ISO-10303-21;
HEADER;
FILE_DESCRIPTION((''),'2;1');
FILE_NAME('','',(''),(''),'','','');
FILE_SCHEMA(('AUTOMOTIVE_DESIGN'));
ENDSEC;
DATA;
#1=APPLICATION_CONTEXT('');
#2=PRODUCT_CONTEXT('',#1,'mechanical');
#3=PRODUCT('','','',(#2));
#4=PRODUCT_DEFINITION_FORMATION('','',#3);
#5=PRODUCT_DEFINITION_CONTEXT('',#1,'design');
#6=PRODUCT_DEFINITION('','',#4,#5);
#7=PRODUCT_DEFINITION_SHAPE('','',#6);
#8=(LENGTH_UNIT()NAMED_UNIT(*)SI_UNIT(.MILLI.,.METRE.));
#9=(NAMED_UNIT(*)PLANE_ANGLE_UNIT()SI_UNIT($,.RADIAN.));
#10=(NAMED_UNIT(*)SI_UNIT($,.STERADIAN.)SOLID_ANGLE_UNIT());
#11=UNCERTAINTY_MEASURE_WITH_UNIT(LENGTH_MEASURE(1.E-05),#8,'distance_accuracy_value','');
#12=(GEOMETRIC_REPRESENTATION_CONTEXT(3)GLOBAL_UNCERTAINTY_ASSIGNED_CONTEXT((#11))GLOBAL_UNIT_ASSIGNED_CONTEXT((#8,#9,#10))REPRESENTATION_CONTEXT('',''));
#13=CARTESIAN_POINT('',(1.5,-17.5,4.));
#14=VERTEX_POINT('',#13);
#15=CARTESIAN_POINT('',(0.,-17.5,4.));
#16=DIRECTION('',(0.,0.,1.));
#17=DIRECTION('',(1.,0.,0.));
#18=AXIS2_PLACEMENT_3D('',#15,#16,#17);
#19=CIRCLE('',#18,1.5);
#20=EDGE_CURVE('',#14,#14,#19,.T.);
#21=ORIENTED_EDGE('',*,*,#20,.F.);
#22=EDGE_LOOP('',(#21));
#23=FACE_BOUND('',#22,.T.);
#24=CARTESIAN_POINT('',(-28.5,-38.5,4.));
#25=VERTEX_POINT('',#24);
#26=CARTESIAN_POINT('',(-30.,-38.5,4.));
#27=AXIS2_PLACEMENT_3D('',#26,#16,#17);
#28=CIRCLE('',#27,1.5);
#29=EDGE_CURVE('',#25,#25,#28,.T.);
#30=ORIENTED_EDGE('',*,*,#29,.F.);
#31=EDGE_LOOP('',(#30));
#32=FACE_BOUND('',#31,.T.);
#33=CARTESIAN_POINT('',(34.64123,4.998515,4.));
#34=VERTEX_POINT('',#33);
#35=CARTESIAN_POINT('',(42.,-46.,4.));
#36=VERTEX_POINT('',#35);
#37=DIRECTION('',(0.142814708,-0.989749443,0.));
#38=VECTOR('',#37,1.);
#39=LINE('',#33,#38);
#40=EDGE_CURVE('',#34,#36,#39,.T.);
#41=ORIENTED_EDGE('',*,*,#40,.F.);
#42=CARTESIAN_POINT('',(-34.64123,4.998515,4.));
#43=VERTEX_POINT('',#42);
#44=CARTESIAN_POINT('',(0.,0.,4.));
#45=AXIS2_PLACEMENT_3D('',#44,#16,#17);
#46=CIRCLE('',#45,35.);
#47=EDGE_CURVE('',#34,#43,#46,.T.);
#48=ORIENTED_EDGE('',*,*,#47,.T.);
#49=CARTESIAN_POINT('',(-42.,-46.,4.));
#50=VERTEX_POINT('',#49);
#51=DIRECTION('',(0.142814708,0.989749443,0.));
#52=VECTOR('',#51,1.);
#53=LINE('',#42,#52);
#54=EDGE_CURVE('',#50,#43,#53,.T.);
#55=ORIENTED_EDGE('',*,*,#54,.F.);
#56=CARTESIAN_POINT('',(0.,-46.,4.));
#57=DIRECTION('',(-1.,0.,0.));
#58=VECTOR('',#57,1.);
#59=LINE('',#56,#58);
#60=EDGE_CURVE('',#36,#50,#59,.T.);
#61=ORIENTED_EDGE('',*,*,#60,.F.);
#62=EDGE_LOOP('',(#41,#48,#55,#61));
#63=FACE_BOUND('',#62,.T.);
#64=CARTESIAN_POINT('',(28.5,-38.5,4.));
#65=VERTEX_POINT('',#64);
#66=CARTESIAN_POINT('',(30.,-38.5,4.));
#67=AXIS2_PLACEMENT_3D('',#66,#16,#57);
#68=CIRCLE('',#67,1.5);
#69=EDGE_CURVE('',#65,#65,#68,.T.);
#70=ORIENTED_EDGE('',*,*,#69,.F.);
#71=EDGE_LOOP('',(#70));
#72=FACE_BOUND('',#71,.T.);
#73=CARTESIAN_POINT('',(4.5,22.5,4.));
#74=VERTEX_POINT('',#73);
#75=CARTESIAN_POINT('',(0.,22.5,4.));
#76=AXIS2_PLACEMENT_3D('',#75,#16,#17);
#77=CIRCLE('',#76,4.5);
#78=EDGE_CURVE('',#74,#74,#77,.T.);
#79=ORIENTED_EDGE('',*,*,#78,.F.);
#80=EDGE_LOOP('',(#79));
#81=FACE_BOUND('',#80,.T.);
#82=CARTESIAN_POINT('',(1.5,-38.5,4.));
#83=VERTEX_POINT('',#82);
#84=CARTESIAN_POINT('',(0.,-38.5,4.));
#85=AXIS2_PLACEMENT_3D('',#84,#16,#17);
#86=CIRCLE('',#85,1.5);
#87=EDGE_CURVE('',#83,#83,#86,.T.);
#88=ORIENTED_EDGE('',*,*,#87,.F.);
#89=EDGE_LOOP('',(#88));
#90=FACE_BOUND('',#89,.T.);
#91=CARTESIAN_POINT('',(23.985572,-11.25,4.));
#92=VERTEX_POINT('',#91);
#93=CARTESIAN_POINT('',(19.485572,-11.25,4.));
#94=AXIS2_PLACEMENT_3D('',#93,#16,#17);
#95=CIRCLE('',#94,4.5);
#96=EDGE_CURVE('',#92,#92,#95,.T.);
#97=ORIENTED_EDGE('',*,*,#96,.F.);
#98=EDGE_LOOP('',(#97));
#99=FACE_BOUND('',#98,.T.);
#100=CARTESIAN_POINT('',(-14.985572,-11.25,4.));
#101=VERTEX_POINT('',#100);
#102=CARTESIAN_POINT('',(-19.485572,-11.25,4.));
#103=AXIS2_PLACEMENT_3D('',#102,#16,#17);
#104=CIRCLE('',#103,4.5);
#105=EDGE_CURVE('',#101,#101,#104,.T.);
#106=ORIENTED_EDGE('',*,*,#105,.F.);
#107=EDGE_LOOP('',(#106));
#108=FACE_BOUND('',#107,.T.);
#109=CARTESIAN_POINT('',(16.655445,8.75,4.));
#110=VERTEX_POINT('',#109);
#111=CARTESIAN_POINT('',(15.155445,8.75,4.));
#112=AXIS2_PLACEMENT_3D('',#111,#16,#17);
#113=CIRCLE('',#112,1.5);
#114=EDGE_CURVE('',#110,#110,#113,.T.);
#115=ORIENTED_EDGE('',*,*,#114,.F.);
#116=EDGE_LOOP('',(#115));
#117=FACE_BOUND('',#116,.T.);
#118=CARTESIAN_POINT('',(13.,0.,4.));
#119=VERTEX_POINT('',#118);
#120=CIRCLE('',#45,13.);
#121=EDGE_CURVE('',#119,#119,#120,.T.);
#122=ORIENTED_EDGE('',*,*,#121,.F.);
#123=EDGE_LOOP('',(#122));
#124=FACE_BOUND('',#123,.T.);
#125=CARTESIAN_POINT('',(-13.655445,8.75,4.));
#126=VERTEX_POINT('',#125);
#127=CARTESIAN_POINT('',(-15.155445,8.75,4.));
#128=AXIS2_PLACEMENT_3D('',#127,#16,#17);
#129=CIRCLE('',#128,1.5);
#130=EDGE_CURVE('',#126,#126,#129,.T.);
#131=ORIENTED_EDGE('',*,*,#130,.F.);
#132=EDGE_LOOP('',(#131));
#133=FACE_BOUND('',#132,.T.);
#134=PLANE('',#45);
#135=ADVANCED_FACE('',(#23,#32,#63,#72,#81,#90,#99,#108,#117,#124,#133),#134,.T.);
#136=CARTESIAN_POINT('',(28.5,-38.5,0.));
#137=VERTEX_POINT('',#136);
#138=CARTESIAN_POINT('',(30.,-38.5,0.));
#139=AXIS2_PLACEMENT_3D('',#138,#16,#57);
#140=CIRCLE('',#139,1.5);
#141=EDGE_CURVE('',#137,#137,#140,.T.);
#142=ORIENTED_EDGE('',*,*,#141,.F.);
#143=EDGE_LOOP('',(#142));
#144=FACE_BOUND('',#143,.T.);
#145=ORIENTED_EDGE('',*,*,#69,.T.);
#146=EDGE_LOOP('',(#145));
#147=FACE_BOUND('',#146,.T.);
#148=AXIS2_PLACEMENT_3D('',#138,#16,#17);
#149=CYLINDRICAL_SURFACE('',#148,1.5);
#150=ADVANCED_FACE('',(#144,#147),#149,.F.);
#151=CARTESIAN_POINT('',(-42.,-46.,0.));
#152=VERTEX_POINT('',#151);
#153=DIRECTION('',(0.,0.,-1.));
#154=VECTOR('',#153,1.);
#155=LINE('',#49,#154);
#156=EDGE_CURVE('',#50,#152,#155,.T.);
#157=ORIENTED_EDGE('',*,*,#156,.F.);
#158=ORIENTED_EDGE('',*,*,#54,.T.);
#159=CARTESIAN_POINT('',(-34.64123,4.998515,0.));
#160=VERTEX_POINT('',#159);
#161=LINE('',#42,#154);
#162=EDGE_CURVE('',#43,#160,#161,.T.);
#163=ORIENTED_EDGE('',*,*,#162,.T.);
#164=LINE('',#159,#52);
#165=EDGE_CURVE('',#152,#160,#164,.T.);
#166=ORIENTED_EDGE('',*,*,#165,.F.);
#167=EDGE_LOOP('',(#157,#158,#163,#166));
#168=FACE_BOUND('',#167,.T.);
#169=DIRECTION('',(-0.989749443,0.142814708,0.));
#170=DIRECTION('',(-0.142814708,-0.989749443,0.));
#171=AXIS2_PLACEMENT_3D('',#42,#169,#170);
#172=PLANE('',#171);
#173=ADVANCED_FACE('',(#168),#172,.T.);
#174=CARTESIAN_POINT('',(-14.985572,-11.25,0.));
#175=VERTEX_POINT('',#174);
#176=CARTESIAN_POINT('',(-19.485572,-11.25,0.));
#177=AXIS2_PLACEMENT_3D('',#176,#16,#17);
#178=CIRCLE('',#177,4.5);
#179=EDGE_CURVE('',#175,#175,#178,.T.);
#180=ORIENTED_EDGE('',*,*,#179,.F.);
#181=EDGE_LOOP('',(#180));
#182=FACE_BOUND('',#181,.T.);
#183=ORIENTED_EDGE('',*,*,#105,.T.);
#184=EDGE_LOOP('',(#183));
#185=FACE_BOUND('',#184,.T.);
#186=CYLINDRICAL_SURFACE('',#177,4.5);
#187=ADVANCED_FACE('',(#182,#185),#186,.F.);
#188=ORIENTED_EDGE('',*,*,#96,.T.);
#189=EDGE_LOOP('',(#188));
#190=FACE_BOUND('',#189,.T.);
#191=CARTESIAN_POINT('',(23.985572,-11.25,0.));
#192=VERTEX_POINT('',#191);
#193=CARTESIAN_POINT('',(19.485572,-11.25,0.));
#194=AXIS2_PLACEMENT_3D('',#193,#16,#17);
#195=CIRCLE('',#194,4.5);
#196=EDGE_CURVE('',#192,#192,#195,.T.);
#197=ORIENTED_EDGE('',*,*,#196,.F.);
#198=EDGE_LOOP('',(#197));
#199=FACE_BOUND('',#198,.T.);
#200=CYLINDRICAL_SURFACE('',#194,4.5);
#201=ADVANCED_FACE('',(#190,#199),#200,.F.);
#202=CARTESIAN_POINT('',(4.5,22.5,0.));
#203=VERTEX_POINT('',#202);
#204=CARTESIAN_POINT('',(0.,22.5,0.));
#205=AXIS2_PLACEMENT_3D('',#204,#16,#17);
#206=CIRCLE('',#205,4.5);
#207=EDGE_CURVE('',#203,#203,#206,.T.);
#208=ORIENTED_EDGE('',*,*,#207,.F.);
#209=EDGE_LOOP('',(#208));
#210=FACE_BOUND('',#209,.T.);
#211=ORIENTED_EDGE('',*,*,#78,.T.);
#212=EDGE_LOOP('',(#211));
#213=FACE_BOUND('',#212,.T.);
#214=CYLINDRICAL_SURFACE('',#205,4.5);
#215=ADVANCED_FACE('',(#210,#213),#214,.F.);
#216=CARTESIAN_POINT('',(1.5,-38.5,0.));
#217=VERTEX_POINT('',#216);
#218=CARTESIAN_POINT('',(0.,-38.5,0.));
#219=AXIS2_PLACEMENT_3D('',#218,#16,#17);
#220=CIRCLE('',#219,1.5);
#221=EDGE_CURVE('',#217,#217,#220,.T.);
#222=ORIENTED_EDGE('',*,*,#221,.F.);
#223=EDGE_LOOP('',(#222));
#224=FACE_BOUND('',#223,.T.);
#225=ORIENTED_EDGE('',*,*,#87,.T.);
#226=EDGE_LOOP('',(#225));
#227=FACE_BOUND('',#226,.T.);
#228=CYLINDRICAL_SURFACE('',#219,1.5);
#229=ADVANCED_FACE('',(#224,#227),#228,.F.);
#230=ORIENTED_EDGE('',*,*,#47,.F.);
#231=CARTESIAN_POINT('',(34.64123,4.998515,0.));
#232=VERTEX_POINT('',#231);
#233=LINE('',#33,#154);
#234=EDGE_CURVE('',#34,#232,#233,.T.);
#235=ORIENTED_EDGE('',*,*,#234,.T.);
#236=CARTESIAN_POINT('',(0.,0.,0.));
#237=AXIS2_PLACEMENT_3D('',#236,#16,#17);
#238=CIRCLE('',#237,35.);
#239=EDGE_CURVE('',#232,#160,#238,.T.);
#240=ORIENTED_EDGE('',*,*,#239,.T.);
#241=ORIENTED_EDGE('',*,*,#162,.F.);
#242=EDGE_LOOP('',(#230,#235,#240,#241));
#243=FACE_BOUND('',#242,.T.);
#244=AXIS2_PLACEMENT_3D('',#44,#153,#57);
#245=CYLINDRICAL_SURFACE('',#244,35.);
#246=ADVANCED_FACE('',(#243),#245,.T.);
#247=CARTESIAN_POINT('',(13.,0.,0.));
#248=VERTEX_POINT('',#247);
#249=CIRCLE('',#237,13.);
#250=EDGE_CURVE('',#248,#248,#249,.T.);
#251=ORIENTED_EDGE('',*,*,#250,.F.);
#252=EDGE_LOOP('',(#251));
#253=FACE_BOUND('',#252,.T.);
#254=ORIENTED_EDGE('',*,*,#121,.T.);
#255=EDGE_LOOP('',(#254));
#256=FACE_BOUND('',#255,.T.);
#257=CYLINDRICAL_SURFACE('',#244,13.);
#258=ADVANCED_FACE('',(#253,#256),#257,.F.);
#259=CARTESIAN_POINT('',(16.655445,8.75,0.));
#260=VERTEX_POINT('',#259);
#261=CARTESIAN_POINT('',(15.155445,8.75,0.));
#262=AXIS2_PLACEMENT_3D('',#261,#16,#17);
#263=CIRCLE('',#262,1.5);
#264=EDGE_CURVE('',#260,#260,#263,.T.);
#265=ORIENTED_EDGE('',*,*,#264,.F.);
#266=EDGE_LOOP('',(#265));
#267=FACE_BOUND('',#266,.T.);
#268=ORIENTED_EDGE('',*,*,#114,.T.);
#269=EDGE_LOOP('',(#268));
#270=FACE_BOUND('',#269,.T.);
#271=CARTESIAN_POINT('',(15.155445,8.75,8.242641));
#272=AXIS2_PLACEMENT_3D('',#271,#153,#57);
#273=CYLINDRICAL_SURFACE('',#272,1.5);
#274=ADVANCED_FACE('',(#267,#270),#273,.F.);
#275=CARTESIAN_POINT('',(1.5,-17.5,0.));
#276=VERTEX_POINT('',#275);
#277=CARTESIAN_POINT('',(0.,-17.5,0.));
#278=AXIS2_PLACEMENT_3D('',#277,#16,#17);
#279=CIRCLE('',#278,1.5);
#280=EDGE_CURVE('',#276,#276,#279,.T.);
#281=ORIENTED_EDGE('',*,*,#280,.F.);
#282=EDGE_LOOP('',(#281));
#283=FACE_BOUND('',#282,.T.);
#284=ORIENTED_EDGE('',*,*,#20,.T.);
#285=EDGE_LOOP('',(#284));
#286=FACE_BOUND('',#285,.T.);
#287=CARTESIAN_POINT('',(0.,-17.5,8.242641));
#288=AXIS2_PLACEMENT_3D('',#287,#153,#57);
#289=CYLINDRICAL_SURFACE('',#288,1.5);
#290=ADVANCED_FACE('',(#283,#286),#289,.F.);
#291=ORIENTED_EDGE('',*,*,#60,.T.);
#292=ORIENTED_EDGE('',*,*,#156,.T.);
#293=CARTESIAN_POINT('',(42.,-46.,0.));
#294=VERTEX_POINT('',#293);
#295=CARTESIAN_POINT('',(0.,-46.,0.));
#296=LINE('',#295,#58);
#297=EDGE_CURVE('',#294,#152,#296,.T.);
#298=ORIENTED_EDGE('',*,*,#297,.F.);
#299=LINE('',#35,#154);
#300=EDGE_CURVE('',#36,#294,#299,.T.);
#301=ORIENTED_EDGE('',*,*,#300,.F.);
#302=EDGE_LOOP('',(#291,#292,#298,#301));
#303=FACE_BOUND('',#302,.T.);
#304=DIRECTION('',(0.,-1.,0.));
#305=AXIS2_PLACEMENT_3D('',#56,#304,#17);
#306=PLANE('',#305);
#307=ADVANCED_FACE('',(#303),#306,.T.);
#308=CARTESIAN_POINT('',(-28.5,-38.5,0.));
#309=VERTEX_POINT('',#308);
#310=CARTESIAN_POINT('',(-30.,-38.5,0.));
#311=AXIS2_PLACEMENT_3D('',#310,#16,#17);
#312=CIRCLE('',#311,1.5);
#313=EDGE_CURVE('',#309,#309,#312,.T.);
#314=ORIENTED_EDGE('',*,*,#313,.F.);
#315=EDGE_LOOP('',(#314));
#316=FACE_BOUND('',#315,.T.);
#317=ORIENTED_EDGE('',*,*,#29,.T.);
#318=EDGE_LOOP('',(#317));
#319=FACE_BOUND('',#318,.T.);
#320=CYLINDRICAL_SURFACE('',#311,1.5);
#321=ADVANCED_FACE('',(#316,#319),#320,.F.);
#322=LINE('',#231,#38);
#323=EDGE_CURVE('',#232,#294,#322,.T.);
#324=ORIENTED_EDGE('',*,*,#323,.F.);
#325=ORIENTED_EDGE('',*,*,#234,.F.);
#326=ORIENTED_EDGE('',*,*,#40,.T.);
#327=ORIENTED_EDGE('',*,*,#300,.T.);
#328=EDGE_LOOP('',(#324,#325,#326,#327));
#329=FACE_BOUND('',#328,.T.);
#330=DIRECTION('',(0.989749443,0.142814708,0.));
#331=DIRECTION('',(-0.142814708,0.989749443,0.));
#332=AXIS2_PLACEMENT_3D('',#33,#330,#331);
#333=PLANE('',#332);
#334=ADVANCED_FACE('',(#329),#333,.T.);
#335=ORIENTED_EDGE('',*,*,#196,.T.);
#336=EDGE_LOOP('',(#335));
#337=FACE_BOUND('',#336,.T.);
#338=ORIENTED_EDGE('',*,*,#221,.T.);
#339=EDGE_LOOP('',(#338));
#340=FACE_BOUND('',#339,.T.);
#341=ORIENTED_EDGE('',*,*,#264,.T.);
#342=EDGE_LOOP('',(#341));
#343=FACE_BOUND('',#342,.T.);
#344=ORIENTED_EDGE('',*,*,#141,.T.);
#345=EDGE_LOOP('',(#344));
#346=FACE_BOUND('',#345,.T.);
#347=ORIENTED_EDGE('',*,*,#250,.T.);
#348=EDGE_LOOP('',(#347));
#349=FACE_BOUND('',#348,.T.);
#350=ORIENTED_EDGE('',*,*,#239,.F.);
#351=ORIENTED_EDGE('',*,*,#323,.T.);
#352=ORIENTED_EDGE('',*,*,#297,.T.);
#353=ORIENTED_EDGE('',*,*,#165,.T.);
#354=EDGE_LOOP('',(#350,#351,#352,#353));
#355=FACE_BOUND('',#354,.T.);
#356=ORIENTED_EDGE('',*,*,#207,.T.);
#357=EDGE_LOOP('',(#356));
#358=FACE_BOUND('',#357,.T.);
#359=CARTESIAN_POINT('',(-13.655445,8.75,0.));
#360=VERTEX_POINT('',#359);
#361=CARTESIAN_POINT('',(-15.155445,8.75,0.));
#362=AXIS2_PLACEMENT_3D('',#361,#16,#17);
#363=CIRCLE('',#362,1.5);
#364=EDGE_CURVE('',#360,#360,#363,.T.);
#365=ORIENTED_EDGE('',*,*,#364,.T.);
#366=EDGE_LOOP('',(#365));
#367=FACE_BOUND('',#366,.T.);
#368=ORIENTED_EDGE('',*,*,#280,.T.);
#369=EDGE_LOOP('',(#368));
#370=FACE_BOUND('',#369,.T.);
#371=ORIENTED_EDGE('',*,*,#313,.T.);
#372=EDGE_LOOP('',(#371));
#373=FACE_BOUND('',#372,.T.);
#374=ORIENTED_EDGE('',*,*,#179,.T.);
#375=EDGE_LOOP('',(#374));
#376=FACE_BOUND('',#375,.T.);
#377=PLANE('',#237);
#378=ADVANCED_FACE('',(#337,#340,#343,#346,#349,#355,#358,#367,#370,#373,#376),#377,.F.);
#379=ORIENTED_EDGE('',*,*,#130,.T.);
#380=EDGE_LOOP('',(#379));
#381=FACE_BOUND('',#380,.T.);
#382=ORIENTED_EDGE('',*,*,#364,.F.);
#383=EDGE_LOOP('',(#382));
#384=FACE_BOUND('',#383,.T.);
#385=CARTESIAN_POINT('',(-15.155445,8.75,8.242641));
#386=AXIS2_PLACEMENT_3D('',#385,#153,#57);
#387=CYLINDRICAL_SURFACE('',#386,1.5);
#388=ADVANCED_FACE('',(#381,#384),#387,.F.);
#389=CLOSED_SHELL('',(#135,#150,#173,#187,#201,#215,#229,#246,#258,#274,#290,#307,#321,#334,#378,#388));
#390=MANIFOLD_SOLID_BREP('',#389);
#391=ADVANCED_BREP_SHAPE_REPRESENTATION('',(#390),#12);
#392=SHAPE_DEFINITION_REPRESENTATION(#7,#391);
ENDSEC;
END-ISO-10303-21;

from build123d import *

# Parameters (mm, degrees)
SKETCH_1_R          = 13
EXTRUDE_1_DEPTH     = 4
SKETCH_2_R          = 4.5
CUT_EXTRUDE_1_DEPTH = 63.417946137
SKETCH_3_R          = 1.5
CUT_EXTRUDE_5_DEPTH = 4
SKETCH_4_R          = 1.5
CUT_EXTRUDE_6_DEPTH = 63.417946137


with BuildPart() as part:
    # 草图1 → 凸台-拉伸1 (new body)
    with BuildSketch(Plane.XY):
        with BuildLine():
            ThreePointArc((34.64123049, 4.998514795), (0, 35), (-34.64123049, 4.998514795))
            Line((-34.64123049, 4.998514795), (-42, -46))
            Line((-42, -46), (42, -46))
            Line((42, -46), (34.64123049, 4.998514795))
        make_face()
        Circle(SKETCH_1_R, mode=Mode.SUBTRACT)
    extrude(amount=EXTRUDE_1_DEPTH)

    # 草图2 → 切除-拉伸1 (cut, through all)
    with BuildSketch(Plane.XY.offset(4)):
        with Locations((0, 22.5)):
            Circle(SKETCH_2_R)
        with Locations((19.485571585, -11.25)):
            Circle(SKETCH_2_R)
        with Locations((-19.485571585, -11.25)):
            Circle(SKETCH_2_R)
    extrude(amount=-CUT_EXTRUDE_1_DEPTH, mode=Mode.SUBTRACT)

    # 草图3 → 切除-拉伸5 (cut)
    with BuildSketch(Plane.XY):
        with Locations((15.155444566, 8.75)):
            Circle(SKETCH_3_R)
        with Locations((0, -17.5)):
            Circle(SKETCH_3_R)
        with Locations((-15.155444566, 8.75)):
            Circle(SKETCH_3_R)
    extrude(amount=CUT_EXTRUDE_5_DEPTH, mode=Mode.SUBTRACT)

    # 草图4 → 切除-拉伸6 (cut, through all)
    with BuildSketch(Plane.XY.offset(4)):
        with Locations((0, -38.5)):
            Circle(SKETCH_4_R)
        with Locations((-30, -38.5)):
            Circle(SKETCH_4_R)
        with Locations(Location((30, -38.5, 0), (0, 0, 180))):
            Circle(SKETCH_4_R)
    extrude(amount=-CUT_EXTRUDE_6_DEPTH, mode=Mode.SUBTRACT)


solid = part.part
